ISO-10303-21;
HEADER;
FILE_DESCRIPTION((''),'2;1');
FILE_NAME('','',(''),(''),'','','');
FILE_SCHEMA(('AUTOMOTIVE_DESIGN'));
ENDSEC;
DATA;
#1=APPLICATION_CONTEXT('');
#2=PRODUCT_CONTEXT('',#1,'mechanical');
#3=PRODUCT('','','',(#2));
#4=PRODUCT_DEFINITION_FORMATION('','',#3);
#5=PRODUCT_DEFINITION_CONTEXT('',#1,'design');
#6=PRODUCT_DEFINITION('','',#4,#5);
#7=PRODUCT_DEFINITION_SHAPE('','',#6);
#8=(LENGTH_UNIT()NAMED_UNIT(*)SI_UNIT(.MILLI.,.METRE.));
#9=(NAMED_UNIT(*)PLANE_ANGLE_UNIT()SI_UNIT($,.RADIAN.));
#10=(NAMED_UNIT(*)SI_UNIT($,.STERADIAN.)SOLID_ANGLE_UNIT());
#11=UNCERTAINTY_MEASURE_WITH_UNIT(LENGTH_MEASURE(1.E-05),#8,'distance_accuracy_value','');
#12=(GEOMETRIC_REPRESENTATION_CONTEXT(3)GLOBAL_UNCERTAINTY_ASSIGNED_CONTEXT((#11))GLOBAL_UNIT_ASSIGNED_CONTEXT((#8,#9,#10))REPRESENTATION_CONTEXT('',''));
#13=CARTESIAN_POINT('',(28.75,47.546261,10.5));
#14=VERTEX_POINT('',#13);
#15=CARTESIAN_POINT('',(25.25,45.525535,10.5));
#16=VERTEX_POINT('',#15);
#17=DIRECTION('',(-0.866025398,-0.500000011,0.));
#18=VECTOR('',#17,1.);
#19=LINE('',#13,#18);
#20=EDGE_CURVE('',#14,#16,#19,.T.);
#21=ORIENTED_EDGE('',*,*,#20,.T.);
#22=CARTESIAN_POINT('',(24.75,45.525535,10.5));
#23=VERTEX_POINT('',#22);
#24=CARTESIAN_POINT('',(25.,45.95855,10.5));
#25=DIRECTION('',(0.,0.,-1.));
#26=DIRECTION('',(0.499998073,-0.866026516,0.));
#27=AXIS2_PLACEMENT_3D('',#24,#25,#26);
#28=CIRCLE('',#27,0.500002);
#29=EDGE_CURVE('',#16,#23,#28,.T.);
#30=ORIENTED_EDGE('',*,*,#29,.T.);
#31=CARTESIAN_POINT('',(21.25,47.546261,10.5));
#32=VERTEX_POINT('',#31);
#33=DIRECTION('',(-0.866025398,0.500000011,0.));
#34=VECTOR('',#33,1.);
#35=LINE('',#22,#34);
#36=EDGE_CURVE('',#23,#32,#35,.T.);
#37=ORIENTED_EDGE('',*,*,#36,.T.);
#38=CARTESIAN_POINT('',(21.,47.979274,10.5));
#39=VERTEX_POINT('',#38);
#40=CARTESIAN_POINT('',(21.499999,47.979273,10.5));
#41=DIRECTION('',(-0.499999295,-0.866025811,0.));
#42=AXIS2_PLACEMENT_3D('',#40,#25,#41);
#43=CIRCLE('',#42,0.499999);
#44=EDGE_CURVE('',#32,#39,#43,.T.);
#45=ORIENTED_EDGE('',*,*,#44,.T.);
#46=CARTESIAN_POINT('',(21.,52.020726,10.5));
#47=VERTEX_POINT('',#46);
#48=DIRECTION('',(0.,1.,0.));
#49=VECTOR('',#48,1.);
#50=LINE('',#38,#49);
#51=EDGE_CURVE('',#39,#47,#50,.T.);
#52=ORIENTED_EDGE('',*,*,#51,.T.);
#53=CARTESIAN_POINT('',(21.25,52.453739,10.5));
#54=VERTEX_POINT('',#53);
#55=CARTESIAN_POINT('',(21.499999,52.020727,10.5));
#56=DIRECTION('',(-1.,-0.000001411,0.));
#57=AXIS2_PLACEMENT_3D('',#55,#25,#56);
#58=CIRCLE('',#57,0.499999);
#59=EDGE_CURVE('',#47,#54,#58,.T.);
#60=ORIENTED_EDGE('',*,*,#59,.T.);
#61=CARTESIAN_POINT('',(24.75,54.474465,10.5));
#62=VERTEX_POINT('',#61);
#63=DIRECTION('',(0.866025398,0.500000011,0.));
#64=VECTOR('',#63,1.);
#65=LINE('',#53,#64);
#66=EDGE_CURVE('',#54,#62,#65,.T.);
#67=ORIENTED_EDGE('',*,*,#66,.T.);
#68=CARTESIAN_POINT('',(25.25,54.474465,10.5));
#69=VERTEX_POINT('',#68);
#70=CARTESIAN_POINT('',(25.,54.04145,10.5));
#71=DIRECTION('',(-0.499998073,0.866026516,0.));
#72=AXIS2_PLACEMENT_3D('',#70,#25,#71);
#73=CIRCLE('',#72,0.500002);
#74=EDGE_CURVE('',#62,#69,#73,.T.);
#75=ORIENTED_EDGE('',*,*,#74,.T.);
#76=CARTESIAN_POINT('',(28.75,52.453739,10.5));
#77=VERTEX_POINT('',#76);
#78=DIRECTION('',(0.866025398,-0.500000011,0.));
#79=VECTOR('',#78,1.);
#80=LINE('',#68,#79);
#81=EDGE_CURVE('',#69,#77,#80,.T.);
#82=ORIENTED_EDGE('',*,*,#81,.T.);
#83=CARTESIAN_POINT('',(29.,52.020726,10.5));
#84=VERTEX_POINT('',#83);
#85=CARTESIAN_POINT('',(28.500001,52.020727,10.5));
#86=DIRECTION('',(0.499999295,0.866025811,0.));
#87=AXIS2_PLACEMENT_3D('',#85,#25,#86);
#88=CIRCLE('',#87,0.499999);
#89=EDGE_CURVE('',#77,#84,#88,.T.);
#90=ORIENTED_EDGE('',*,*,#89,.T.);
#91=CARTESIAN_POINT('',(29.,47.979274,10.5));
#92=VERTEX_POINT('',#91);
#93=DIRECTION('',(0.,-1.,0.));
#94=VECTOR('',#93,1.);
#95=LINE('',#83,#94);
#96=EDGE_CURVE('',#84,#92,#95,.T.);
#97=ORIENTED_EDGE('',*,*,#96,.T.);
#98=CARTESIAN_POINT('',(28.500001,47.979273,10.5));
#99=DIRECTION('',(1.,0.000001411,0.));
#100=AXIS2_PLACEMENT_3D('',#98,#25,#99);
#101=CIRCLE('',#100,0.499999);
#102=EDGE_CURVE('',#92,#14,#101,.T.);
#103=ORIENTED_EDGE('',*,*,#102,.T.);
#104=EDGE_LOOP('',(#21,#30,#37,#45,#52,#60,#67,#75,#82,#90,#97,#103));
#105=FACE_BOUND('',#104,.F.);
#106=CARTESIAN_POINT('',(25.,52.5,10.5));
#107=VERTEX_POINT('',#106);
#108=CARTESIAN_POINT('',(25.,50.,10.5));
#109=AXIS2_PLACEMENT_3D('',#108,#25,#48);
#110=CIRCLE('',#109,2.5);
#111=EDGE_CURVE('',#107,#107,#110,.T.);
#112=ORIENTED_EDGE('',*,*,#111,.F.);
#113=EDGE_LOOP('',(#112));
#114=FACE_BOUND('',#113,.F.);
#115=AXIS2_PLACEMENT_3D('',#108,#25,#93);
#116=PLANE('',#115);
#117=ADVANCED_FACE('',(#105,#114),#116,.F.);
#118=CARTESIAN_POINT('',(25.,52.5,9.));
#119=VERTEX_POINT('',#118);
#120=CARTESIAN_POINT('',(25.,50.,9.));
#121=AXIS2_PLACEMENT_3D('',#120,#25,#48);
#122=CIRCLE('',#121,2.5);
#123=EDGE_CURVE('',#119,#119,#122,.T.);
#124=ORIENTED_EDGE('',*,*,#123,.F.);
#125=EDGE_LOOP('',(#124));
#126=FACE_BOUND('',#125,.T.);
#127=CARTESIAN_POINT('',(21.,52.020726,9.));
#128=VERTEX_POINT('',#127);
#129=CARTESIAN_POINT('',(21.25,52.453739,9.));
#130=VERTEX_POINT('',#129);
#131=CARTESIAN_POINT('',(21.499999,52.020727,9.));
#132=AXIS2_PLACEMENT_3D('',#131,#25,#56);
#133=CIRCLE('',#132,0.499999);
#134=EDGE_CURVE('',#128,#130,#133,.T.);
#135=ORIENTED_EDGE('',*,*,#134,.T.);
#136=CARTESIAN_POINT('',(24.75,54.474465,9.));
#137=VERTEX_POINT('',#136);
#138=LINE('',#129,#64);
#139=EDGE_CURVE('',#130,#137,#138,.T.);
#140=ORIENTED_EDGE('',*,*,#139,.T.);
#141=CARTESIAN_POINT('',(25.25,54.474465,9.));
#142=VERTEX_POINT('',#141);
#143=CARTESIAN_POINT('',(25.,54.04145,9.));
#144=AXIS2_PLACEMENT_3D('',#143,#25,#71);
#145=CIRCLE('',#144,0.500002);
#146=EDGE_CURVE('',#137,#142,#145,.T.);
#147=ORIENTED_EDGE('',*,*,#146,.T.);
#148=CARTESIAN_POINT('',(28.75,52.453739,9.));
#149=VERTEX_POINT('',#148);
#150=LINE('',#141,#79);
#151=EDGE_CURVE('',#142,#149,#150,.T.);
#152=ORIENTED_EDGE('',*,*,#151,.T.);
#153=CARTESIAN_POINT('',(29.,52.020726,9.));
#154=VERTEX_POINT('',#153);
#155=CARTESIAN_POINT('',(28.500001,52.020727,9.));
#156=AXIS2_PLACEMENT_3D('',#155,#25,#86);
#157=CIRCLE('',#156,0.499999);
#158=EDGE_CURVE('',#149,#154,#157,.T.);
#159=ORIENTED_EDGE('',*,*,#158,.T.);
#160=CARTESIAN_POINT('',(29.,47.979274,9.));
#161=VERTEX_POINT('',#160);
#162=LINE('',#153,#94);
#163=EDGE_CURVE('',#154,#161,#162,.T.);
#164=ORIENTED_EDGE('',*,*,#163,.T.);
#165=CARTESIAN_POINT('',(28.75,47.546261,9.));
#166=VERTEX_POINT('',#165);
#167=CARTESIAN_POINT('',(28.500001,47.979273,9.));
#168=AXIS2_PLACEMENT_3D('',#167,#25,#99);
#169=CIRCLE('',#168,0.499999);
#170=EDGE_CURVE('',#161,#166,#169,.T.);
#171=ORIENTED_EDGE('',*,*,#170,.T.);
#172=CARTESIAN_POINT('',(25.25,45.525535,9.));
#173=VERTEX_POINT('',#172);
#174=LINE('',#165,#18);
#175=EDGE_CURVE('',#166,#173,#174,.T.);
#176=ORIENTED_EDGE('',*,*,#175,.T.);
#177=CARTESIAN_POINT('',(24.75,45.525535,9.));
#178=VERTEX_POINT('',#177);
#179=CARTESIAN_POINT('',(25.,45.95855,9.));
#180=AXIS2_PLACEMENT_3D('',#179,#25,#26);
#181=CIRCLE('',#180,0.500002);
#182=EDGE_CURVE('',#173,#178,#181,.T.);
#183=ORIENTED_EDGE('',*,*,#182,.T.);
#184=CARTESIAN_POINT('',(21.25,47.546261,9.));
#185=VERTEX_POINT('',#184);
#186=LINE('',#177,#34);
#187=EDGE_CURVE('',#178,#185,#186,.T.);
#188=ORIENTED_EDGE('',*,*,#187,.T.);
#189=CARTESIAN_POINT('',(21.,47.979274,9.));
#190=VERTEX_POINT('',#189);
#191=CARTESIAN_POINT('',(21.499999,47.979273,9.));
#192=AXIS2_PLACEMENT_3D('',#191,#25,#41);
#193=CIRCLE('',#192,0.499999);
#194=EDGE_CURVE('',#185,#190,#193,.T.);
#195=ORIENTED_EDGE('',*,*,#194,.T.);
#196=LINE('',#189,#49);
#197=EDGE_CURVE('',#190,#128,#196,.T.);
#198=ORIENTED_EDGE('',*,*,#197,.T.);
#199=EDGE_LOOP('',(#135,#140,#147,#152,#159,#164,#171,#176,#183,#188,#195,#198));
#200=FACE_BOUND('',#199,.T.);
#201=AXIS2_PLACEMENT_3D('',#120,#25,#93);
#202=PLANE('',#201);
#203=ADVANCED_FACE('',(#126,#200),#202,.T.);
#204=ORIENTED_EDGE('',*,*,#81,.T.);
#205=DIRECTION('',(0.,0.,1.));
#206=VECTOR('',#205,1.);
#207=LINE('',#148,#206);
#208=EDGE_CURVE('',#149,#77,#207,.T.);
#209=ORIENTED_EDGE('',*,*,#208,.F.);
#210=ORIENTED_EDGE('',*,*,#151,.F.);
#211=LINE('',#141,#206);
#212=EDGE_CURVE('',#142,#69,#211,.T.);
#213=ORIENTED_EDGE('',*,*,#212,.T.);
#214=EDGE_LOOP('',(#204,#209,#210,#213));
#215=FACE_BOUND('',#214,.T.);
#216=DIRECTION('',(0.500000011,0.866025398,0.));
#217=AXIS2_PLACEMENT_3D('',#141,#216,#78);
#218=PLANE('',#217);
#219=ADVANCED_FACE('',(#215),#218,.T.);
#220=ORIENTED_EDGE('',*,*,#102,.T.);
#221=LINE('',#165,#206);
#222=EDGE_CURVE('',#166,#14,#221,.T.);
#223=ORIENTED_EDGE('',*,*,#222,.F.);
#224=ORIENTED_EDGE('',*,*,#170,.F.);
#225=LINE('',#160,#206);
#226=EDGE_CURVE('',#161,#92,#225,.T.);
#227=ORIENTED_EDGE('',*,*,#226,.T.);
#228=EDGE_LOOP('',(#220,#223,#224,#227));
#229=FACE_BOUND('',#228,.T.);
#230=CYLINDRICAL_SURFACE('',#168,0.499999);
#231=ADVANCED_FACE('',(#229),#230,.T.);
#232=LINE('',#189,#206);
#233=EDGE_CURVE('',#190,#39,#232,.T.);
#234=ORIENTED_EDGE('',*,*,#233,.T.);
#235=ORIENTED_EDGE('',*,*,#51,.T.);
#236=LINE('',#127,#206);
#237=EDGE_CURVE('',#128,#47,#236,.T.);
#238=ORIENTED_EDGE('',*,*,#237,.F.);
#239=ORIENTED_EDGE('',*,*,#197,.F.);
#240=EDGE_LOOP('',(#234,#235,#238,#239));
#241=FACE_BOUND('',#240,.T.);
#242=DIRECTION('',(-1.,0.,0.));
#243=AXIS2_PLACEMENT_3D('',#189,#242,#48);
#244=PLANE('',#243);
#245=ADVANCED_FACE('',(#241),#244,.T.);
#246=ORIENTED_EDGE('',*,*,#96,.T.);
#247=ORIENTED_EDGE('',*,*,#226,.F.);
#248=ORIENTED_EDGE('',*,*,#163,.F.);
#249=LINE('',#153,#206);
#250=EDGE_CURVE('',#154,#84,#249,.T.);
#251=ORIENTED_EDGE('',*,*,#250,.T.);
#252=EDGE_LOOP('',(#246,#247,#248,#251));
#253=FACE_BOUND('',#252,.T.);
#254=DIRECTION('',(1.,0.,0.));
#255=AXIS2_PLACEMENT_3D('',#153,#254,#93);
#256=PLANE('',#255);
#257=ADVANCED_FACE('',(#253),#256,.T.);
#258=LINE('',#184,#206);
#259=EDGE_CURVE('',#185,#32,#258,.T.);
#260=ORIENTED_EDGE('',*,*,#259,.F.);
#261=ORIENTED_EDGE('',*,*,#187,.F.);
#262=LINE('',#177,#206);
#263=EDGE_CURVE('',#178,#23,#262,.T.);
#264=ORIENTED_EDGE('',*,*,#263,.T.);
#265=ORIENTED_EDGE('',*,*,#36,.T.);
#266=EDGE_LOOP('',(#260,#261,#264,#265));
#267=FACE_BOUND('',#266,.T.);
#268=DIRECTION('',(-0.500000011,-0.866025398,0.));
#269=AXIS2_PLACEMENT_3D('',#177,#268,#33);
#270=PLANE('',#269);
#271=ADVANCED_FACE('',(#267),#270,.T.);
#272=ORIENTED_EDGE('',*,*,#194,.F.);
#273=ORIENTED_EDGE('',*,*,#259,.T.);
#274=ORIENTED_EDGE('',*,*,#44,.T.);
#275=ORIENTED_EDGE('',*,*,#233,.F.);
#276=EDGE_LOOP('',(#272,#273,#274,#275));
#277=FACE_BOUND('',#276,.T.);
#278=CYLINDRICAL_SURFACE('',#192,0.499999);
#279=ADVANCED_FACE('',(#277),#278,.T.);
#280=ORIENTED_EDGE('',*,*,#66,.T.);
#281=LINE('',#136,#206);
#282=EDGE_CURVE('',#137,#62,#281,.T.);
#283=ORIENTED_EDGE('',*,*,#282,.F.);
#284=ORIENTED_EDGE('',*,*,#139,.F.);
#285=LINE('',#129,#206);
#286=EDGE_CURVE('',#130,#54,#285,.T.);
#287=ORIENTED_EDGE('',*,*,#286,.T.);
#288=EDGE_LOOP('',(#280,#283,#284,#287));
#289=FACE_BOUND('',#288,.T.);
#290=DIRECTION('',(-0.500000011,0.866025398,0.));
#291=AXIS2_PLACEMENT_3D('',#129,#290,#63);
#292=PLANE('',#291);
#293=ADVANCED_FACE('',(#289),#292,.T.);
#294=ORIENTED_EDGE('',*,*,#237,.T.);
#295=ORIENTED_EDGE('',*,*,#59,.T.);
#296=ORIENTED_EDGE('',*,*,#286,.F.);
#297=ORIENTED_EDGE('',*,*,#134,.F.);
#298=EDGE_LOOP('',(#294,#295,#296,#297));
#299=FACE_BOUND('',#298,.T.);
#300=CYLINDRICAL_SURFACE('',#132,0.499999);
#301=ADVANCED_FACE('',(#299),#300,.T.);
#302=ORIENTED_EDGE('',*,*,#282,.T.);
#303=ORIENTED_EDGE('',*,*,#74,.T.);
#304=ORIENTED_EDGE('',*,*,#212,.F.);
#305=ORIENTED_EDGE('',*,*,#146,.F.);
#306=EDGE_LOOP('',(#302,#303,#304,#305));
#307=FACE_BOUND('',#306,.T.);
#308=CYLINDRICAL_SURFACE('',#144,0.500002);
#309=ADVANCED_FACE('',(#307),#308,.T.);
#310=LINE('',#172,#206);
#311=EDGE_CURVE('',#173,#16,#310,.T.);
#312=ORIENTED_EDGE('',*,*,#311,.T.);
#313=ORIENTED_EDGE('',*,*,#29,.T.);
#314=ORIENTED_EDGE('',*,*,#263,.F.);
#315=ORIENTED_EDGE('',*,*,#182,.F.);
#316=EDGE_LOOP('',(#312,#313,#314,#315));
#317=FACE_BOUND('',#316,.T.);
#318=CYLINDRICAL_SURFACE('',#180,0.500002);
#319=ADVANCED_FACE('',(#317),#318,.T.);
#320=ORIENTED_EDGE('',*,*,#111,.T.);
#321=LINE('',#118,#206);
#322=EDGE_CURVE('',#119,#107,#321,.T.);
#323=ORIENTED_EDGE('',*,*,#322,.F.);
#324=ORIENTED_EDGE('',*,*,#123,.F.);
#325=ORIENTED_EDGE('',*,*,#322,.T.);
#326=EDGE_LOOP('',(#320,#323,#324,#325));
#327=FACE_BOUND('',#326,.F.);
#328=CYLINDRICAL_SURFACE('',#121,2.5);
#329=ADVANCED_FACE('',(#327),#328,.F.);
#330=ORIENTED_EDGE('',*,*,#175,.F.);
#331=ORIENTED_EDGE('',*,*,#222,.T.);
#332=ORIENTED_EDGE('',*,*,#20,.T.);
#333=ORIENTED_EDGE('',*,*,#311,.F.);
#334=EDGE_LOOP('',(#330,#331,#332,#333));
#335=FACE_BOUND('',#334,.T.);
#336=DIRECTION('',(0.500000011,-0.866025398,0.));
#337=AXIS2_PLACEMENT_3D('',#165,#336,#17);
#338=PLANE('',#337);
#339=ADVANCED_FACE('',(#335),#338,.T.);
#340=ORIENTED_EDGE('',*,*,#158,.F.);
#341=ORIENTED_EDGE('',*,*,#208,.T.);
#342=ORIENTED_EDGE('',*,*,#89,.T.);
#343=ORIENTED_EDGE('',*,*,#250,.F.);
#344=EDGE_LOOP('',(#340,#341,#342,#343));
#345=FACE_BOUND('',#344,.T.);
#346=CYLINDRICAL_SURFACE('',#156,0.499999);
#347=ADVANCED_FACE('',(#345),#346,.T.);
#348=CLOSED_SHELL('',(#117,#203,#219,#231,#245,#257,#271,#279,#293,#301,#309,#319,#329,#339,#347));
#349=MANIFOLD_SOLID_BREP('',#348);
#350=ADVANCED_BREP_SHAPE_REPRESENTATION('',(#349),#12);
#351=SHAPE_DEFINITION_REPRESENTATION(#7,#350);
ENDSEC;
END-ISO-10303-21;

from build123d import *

# Parameters (mm, degrees)
CIRCLE001_R            = 2.5
EXTRUDE009_DEPTH       = 1.5
EXTRUDE010_DEPTH       = 1.5
CUT001_PLACEMENT_ANGLE = 90


with BuildPart() as extrude009:
    # Circle001 → Extrude009 (new body)
    with BuildSketch(Plane(origin=(10, 0, 0), x_dir=(1, 0, 0), z_dir=(0, 0, -1))):
        Circle(CIRCLE001_R)
    extrude(amount=-EXTRUDE009_DEPTH)


with BuildPart() as ecrou:
    # Polygon001 → Extrude010 (new body)
    with BuildSketch(Plane(origin=(10, 0, 0), x_dir=(1, 0, 0), z_dir=(0, 0, 1))):
        with BuildLine():
            Line((2.453739, 3.75), (4.474465, 0.25))
            ThreePointArc((4.474465, 0.25), (4.541452, 0), (4.474465, -0.25))
            Line((4.474465, -0.25), (2.453739, -3.75))
            ThreePointArc((2.453739, -3.75), (2.270726, -3.933013), (2.020726, -4))
            Line((2.020726, -4), (-2.020726, -4))
            ThreePointArc((-2.020726, -4), (-2.270726, -3.933013), (-2.453739, -3.75))
            Line((-2.453739, -3.75), (-4.474465, -0.25))
            ThreePointArc((-4.474465, -0.25), (-4.541452, 0), (-4.474465, 0.25))
            Line((-4.474465, 0.25), (-2.453739, 3.75))
            ThreePointArc((-2.453739, 3.75), (-2.270726, 3.933013), (-2.020726, 4))
            Line((-2.020726, 4), (2.020726, 4))
            ThreePointArc((2.020726, 4), (2.270726, 3.933013), (2.453739, 3.75))
        make_face()
    extrude(amount=EXTRUDE010_DEPTH)

    # Cut001: cut Extrude009
    add(extrude009.part, mode=Mode.SUBTRACT)


with BuildPart() as ecrou_1:
    # Cut001 placement: moved
    add(ecrou.part.moved(Location((25, 40, 9))).rotate(Axis((25, 40, 9), (0, 0, 1)), CUT001_PLACEMENT_ANGLE))


solid = ecrou_1.part
